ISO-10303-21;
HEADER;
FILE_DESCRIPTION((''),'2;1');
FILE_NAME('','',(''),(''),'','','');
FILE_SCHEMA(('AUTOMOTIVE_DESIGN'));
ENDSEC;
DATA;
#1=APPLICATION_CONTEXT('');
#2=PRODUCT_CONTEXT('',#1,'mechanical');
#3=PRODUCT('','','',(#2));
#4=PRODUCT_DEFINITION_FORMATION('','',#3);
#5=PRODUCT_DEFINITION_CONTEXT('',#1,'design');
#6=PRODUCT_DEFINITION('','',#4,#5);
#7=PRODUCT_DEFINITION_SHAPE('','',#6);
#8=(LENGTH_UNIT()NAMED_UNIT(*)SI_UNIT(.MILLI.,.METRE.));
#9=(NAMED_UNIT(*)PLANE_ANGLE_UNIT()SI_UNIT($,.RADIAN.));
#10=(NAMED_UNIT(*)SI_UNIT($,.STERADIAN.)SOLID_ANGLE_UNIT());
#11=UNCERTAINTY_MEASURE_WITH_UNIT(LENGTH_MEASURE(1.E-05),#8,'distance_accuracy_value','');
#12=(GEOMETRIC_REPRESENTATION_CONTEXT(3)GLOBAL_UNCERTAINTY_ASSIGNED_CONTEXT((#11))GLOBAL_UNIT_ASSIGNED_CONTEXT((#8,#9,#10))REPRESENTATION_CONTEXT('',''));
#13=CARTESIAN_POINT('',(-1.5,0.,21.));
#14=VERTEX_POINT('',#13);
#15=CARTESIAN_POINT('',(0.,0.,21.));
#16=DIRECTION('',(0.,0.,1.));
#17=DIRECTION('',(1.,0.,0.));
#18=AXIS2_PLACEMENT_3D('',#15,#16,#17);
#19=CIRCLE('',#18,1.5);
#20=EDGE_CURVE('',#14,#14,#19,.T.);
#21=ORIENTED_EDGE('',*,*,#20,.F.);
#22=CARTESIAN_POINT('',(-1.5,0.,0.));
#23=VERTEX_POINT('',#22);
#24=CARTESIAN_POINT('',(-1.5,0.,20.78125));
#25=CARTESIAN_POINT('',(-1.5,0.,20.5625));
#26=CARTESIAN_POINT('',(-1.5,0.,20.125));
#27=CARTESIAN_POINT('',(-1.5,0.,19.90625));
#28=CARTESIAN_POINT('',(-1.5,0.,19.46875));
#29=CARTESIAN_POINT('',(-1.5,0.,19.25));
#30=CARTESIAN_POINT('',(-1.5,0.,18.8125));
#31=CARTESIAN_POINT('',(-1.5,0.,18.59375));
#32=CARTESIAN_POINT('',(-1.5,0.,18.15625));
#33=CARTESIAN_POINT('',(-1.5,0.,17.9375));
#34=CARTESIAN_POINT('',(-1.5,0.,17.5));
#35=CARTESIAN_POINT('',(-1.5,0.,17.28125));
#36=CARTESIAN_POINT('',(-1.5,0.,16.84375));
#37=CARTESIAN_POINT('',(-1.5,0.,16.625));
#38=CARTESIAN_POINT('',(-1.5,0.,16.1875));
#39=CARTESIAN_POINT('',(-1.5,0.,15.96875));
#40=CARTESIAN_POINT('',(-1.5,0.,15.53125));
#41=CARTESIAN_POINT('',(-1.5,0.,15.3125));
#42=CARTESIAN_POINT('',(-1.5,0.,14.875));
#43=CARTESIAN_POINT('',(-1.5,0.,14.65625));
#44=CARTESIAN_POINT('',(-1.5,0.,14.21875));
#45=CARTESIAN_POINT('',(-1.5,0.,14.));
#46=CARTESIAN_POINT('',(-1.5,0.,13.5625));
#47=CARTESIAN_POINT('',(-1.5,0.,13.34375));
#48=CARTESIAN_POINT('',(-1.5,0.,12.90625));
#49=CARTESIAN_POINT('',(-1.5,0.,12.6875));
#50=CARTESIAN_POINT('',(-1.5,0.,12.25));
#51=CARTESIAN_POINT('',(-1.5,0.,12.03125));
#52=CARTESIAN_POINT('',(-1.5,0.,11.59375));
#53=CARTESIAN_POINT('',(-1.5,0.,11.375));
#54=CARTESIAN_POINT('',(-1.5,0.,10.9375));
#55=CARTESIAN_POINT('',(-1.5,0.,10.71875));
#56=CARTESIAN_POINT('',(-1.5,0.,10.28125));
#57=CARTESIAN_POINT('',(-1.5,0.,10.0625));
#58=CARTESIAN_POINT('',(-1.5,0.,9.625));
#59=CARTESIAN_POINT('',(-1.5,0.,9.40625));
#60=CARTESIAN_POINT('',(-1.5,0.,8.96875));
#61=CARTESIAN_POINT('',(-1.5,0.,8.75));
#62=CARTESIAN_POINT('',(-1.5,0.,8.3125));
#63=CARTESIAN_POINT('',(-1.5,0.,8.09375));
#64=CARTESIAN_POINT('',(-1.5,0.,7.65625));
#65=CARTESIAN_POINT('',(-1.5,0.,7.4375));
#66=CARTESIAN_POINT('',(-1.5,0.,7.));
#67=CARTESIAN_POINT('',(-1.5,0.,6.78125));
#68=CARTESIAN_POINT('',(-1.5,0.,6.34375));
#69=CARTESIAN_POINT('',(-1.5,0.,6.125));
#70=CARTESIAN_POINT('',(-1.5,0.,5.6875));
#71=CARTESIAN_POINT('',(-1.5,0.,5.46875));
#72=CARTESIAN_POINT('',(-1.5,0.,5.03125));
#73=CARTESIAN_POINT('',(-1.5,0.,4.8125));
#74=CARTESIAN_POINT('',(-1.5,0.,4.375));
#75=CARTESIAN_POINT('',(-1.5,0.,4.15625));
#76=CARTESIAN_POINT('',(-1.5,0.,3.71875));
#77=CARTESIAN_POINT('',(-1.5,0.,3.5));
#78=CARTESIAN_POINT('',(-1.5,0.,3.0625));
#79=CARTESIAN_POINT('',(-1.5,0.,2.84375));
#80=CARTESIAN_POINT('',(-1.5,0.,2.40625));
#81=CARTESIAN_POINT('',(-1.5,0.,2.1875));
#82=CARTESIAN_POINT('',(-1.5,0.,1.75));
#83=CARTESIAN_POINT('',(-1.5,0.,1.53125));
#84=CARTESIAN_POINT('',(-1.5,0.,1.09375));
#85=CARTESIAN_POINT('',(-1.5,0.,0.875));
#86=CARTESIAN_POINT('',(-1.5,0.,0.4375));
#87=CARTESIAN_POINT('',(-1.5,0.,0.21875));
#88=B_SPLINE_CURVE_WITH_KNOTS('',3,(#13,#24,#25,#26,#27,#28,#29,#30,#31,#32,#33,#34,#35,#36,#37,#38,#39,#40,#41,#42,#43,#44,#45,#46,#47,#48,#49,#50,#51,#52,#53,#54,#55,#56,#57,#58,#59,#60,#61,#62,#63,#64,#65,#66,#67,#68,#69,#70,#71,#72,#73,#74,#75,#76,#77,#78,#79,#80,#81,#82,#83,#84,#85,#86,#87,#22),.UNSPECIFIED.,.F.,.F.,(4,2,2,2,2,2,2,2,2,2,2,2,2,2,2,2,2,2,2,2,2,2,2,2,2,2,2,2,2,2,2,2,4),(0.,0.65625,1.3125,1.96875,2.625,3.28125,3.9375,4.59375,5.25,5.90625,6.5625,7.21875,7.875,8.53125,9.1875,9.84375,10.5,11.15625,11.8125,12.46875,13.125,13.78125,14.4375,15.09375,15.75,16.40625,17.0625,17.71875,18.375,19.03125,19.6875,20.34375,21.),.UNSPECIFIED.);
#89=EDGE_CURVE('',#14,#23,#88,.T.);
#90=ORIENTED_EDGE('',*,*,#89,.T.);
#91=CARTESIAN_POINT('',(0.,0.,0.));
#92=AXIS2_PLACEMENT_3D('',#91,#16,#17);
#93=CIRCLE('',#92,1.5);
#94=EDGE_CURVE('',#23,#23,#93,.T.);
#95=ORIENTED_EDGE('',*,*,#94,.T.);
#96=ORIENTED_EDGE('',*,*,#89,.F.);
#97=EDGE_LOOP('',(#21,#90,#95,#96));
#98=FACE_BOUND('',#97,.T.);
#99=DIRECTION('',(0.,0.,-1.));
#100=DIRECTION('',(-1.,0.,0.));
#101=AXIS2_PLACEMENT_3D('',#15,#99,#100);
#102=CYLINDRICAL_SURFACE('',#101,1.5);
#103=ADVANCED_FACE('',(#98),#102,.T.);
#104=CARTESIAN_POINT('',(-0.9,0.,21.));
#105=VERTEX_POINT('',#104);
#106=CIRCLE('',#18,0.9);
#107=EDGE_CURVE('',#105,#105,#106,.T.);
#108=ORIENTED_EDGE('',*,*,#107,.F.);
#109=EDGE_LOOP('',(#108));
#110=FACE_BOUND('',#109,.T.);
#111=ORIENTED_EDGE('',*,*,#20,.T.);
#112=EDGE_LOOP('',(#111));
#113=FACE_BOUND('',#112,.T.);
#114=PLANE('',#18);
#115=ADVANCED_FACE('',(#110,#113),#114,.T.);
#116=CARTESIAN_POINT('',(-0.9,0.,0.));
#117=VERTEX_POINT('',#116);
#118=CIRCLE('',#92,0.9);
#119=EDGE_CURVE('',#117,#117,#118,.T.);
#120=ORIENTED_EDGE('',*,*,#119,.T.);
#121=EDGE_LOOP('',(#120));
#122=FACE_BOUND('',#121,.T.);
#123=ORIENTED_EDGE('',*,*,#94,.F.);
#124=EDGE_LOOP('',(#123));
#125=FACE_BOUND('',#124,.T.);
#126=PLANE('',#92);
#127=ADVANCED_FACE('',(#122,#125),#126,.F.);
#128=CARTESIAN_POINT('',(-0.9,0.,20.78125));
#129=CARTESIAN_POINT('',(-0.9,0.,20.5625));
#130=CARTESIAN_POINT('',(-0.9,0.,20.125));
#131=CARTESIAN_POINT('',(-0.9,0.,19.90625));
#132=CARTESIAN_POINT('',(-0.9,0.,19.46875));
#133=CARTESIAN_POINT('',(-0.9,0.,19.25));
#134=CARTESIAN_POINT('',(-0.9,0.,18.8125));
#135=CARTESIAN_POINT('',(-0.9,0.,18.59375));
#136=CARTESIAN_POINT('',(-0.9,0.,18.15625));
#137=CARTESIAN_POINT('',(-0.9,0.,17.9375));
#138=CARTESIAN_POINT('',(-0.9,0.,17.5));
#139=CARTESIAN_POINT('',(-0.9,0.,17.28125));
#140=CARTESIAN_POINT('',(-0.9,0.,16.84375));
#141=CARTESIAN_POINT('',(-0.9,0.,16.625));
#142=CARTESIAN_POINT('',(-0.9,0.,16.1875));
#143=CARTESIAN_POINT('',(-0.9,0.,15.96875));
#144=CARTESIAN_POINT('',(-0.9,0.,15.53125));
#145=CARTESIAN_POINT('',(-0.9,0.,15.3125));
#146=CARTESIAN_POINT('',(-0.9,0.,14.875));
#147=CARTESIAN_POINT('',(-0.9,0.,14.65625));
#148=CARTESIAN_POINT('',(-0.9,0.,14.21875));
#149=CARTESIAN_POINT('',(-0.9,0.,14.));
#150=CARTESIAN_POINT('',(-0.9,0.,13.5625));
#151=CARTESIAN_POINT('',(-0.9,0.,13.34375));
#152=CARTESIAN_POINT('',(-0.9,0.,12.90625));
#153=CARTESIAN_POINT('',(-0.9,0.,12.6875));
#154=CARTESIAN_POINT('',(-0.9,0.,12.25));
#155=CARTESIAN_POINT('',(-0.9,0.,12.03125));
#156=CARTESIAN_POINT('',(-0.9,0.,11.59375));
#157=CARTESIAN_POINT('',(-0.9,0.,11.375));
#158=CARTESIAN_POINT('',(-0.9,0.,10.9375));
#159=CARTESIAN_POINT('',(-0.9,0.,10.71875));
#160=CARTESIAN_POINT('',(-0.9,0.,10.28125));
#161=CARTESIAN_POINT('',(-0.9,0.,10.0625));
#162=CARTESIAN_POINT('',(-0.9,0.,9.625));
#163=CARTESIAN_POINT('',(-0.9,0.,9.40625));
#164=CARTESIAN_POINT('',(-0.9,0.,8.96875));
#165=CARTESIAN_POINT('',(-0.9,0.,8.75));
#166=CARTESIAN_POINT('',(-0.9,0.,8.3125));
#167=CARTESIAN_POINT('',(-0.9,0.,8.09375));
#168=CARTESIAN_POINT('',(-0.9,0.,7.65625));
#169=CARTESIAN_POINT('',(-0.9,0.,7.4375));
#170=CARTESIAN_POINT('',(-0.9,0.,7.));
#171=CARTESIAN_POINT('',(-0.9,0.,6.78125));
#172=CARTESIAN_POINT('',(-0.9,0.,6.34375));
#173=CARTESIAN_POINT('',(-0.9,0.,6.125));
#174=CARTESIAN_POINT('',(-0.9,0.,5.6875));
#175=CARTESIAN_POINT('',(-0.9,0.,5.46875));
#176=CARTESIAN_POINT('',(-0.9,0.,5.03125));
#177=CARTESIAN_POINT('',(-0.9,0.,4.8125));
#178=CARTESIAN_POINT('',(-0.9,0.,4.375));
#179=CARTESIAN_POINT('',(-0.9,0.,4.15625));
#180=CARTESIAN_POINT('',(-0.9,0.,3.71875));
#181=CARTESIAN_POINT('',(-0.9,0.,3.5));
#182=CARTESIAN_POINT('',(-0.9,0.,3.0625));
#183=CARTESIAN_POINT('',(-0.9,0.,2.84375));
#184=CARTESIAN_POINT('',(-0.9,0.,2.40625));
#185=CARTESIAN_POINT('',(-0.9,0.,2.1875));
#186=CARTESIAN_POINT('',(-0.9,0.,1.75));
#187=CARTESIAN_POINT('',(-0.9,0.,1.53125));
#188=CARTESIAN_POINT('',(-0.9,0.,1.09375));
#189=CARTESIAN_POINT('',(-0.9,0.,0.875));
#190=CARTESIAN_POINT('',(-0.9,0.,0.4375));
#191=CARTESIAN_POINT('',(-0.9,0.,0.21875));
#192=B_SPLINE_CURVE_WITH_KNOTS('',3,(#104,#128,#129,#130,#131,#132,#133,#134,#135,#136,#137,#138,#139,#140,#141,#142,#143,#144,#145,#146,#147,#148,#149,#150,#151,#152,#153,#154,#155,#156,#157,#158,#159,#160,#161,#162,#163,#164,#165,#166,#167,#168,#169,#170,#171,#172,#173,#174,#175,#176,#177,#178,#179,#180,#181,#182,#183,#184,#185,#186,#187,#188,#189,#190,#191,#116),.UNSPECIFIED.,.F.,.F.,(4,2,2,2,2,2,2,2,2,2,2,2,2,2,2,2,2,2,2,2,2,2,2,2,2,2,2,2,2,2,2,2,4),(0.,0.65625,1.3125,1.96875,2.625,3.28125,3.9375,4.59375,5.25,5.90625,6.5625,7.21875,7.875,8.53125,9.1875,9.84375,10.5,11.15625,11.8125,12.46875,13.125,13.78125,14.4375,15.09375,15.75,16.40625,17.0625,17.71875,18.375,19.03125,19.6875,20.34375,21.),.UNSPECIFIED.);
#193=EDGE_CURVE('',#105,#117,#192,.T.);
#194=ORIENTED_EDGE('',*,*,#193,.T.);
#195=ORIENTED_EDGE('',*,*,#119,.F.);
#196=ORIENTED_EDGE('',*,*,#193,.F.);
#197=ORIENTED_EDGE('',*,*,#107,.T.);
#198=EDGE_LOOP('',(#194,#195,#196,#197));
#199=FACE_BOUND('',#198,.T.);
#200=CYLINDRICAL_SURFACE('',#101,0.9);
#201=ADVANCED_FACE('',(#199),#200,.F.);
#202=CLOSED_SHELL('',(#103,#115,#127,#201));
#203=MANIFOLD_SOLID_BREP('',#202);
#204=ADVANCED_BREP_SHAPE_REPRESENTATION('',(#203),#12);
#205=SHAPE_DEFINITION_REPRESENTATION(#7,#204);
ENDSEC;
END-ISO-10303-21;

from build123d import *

# Parameters (mm, degrees)
SKETCH1_R           = 1.5
SKETCH1_R_2         = 0.9
BOSS_EXTRUDE1_DEPTH = 21


with BuildPart() as part:
    # Sketch1 → Boss-Extrude1 (new body)
    with BuildSketch(Plane.XY):
        with Locations(Location((0, 0, 0), (0, 0, 180))):
            Circle(SKETCH1_R)
        with Locations(Location((0, 0, 0), (0, 0, 180))):
            Circle(SKETCH1_R_2, mode=Mode.SUBTRACT)
    extrude(amount=BOSS_EXTRUDE1_DEPTH)


solid = part.part
